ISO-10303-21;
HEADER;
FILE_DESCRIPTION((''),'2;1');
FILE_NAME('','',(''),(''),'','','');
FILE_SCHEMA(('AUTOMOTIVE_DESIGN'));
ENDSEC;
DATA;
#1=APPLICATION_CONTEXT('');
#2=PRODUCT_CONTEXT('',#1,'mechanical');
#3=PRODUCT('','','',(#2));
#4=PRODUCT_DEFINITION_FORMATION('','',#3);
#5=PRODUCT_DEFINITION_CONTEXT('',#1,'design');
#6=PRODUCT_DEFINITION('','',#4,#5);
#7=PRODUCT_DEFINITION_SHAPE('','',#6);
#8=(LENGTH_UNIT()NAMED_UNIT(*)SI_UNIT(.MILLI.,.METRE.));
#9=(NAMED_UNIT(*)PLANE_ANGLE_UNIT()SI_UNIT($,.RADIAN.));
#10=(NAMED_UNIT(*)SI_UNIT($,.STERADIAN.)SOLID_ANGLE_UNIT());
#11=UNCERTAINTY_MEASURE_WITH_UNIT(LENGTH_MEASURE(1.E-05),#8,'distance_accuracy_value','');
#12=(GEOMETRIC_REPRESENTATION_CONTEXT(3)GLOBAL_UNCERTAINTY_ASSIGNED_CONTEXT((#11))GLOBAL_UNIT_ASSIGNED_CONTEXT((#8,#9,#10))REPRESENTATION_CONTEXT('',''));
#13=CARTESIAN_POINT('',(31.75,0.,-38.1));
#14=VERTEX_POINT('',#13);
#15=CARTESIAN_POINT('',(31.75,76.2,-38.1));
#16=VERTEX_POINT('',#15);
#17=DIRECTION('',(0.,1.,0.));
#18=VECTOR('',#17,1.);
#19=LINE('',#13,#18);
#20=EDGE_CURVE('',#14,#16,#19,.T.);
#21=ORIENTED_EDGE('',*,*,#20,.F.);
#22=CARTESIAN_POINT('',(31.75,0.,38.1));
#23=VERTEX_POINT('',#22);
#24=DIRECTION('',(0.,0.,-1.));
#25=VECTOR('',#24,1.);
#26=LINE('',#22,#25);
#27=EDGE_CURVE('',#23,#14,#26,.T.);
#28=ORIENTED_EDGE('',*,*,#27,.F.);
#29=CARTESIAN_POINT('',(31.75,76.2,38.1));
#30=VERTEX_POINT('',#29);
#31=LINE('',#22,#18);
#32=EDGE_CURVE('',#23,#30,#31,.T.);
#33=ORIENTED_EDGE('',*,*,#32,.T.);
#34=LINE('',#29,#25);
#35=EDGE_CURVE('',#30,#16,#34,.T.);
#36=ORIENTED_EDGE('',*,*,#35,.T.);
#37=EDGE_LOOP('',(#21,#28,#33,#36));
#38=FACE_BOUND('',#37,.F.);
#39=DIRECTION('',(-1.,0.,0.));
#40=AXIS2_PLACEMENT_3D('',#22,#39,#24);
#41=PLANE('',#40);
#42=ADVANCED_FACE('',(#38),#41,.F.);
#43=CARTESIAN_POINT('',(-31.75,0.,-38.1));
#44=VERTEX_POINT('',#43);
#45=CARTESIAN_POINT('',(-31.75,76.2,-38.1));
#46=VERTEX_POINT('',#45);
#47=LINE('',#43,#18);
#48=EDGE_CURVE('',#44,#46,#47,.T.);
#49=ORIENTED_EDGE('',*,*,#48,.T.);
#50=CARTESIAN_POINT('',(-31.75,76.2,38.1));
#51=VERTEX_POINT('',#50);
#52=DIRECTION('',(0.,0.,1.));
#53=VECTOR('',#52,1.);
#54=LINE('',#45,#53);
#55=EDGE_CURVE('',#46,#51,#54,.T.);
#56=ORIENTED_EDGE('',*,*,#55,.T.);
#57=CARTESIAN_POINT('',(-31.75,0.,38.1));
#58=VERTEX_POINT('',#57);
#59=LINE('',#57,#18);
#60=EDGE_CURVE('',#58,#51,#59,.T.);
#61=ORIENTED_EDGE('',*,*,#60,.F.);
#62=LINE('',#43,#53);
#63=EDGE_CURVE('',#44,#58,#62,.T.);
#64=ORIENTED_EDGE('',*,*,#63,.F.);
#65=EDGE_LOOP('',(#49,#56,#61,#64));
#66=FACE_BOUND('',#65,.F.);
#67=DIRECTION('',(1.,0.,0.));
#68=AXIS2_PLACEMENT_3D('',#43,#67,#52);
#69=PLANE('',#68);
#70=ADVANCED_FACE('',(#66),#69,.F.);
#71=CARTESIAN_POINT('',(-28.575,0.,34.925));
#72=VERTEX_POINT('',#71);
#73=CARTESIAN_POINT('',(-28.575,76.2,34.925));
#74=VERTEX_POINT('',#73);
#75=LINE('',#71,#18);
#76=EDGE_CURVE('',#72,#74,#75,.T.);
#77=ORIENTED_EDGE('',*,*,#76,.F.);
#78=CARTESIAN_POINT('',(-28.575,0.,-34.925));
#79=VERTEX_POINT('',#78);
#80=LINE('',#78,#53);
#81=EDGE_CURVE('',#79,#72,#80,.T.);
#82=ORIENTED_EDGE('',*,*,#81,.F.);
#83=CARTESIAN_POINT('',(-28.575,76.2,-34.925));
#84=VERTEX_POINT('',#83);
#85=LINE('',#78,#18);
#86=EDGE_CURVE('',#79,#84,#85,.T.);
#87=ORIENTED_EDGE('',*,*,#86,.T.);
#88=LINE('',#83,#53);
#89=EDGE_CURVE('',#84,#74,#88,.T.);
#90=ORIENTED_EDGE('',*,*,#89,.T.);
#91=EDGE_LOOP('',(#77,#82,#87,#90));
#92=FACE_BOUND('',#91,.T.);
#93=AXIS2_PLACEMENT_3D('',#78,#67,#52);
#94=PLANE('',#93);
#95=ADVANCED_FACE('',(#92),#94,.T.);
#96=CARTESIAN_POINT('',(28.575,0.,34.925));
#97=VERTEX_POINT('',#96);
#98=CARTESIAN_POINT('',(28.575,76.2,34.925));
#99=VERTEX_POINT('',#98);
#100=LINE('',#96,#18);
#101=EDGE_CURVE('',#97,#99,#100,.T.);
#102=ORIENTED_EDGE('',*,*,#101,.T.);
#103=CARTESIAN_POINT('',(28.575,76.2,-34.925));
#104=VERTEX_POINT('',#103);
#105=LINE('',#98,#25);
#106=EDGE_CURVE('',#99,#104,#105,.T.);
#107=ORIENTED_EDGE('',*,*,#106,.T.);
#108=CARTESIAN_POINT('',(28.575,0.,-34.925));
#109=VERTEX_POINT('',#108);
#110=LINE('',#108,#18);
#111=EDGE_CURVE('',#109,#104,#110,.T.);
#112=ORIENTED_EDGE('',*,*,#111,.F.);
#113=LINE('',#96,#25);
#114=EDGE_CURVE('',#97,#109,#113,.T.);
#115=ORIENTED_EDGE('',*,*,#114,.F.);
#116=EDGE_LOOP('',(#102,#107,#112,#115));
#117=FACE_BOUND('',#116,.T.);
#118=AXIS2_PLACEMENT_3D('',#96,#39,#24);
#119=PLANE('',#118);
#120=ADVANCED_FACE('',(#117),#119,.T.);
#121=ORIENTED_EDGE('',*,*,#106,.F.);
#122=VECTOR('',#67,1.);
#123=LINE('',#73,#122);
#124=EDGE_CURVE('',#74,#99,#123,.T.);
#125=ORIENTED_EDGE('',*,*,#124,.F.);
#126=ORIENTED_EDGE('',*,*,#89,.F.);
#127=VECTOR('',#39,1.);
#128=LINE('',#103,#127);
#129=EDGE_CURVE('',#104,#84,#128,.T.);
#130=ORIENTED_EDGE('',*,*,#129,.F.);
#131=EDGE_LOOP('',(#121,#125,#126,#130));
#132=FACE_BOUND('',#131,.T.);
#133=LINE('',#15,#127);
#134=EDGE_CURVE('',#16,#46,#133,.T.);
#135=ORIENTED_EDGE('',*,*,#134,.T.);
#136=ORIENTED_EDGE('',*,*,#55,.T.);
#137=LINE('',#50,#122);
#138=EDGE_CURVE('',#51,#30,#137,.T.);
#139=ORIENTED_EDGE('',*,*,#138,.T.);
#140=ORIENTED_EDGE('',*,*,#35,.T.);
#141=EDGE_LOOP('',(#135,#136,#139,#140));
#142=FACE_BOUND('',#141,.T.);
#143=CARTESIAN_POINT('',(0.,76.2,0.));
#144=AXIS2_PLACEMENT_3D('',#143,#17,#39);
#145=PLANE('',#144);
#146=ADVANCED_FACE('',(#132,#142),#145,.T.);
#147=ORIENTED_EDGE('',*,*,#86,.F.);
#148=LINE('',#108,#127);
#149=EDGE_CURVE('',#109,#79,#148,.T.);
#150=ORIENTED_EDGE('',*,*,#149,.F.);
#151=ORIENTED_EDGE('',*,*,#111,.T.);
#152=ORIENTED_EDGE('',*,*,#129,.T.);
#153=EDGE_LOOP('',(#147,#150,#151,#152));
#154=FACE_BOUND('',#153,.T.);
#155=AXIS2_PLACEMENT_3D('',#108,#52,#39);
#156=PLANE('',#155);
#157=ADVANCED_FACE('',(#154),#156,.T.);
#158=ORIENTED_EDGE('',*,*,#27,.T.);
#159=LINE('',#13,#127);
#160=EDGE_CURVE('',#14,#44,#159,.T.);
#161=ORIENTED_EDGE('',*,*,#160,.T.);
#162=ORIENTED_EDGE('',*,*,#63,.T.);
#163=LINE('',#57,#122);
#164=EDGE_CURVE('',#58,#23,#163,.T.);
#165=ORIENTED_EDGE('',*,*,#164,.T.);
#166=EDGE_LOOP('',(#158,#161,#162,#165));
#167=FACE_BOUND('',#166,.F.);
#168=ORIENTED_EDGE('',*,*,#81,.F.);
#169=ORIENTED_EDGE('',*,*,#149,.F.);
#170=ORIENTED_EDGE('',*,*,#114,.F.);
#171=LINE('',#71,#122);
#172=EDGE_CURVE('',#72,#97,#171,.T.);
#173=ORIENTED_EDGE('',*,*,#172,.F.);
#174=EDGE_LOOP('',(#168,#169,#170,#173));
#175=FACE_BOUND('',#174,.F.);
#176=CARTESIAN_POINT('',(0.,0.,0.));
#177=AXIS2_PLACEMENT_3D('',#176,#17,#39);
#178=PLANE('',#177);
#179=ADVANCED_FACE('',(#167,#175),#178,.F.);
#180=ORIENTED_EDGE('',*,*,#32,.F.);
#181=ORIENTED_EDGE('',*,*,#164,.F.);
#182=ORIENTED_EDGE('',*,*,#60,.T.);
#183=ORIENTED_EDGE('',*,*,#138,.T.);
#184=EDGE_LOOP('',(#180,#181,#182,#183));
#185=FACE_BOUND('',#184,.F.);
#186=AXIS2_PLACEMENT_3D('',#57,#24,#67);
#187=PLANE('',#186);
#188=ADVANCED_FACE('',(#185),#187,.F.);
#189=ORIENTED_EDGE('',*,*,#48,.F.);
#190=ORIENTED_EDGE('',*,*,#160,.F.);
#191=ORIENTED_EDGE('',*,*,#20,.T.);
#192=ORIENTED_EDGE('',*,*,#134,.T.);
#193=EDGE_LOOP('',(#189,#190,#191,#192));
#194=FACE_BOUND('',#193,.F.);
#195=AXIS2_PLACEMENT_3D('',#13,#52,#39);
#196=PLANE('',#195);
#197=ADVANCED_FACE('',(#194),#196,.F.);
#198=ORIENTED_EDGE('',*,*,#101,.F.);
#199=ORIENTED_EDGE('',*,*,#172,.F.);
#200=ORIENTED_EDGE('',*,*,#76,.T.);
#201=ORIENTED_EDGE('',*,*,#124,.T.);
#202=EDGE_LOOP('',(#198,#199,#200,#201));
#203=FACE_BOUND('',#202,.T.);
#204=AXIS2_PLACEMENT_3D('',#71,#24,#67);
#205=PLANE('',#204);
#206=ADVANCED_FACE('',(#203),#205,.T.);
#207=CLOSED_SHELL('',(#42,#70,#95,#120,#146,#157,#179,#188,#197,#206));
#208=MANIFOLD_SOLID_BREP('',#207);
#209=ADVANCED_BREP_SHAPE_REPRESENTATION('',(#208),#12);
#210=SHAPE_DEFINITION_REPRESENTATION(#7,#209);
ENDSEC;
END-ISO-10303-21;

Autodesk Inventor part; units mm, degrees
ref_plane "YZ Plane" through (0, 0, 0) normal (1, 0, 0) x (0, 1, 0)
ref_plane "XZ Plane" through (0, 0, 0) normal (0, 1, 0) x (-1, 0, 0)
ref_plane "XY Plane" through (0, 0, 0) normal (0, 0, 1) x (1, 0, 0)
sketch "Sketch1" plane through (0, 0, 0) normal (0, 1, 0) x (-1, 0, 0)
  line L0 (-31.75, 38.1) -> (-31.75, -38.1)
  line L1 (-31.75, -38.1) -> (31.75, -38.1)
  line L2 (31.75, -38.1) -> (31.75, 38.1)
  line L3 (31.75, 38.1) -> (-31.75, 38.1)
  line L4 (-31.75, 38.1) -> (31.75, -38.1) construction
  line L5 (-31.75, -38.1) -> (31.75, 38.1) construction
  line L6 (-28.575, 34.925) -> (-28.575, -34.925)
  line L7 (-28.575, -34.925) -> (28.575, -34.925)
  line L8 (28.575, -34.925) -> (28.575, 34.925)
  line L9 (28.575, 34.925) -> (-28.575, 34.925)
  line L10 (-28.575, 34.925) -> (28.575, -34.925) construction
  line L11 (-28.575, -34.925) -> (28.575, 34.925) construction
  point P0 (0, 0)
  dimension "d0" = 76.2
  dimension "d1" = 63.5
  dimension "d2" = 3.175
  dimension "d3" = 3.175
extrude "Extrusion1" add sketch "Sketch1" along normal blind 76.2
properties part number "spacer"
